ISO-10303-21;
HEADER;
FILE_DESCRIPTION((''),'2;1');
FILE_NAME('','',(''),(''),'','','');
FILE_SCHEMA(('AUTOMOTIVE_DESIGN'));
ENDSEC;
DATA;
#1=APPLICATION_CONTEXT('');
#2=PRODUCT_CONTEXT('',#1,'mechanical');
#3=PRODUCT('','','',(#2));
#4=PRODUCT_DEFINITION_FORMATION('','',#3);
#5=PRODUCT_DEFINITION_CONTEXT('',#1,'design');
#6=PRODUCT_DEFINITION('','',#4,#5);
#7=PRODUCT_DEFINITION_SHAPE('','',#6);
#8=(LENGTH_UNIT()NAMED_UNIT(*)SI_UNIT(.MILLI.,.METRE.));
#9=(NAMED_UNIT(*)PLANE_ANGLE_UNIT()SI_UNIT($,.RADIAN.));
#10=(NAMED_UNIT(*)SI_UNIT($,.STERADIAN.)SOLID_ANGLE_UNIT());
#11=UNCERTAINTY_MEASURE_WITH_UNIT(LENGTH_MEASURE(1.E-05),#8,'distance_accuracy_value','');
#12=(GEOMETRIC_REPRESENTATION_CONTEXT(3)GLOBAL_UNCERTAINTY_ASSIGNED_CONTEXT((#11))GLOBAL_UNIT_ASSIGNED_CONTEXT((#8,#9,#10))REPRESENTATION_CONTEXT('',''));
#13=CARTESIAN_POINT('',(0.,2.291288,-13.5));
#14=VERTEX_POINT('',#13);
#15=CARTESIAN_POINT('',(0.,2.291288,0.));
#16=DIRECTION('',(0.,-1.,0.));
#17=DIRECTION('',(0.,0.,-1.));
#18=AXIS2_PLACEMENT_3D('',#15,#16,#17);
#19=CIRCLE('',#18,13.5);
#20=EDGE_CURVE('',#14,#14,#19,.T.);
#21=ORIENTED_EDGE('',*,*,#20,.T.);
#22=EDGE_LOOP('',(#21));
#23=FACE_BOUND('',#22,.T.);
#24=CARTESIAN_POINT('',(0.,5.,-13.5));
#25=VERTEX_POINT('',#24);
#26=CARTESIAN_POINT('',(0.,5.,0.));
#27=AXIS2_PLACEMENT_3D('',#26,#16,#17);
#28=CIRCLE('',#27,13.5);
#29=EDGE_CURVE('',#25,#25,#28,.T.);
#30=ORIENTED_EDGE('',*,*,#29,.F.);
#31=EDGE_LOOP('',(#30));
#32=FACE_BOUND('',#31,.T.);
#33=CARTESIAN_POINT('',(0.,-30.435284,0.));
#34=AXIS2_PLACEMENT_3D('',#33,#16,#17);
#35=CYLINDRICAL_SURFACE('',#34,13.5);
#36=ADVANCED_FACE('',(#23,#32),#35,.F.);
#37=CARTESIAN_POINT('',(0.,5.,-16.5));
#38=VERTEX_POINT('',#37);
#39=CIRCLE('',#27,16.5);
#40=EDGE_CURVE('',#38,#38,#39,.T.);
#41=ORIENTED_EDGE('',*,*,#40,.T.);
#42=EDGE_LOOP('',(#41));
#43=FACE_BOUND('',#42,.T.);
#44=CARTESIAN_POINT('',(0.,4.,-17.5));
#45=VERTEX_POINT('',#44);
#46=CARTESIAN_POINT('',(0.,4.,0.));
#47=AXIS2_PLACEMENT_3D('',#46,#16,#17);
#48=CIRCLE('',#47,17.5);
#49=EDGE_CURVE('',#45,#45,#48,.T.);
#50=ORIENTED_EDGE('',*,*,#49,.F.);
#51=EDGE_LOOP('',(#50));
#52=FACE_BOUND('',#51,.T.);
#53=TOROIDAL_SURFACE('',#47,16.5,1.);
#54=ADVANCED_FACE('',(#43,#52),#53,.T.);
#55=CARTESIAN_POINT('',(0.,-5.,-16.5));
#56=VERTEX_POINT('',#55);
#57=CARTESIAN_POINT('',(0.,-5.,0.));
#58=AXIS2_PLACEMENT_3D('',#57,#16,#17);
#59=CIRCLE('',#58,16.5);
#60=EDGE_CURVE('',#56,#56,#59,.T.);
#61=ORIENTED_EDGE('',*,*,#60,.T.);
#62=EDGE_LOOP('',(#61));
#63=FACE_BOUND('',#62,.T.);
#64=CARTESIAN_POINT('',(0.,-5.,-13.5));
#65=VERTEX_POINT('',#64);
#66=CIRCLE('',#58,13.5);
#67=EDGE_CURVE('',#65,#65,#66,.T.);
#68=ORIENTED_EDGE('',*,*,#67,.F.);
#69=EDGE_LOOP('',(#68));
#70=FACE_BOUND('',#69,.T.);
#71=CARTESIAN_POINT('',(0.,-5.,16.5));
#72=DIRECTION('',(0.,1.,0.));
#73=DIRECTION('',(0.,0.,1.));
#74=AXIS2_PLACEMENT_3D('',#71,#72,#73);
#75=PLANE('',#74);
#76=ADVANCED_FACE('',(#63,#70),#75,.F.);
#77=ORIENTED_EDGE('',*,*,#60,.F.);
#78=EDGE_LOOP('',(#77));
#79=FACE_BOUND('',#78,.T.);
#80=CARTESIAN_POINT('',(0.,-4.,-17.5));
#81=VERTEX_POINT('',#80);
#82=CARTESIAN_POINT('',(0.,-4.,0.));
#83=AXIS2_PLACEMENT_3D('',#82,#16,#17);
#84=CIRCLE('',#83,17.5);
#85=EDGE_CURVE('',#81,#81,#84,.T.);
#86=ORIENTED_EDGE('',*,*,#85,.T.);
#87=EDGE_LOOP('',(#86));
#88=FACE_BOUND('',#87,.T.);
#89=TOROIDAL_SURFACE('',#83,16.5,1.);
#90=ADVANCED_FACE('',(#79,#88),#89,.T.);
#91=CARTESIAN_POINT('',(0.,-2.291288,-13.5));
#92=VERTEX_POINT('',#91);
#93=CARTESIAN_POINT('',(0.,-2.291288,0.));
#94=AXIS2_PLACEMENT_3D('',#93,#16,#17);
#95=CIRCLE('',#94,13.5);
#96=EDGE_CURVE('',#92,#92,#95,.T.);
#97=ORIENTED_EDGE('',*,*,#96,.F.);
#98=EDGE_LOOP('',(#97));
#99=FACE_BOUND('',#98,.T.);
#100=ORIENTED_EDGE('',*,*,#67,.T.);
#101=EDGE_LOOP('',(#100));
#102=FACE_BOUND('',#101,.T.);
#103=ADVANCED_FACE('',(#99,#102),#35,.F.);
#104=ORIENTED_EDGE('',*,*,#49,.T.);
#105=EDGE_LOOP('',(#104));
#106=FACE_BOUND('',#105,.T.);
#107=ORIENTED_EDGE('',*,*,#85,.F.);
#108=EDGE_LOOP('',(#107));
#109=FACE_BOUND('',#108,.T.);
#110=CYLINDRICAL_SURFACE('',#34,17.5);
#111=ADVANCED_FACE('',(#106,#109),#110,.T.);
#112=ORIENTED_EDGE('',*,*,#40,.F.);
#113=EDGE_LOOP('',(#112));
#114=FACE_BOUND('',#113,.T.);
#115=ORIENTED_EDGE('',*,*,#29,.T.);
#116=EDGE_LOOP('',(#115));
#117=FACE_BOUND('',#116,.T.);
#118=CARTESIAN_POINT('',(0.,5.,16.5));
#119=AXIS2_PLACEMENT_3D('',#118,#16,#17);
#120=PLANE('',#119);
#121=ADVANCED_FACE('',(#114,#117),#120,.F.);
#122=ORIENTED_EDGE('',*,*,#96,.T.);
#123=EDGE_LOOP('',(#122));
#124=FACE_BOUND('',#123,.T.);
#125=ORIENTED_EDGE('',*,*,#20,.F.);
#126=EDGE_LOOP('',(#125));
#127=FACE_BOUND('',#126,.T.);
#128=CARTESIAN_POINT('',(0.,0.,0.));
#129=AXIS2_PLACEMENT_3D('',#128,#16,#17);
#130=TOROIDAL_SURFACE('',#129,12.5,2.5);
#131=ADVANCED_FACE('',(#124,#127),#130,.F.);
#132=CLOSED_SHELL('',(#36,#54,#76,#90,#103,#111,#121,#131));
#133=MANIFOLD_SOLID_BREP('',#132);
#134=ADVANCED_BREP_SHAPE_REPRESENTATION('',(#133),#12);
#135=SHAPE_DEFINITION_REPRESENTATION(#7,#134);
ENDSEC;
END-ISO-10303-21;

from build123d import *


with BuildPart() as part:
    # Sketch1 → Revolve1 (revolve)
    with BuildSketch(Plane.YZ, mode=Mode.PRIVATE) as revolve1_sk:
        with BuildLine():
            Line((-4, 17.5), (4, 17.5))
            ThreePointArc((4, 17.5), (4.707106781, 17.207106781), (5, 16.5))
            Line((5, 16.5), (5, 13.5))
            Line((5, 13.5), (2.291287847, 13.5))
            ThreePointArc((2.291287847, 13.5), (0, 15), (-2.291287847, 13.5))
            Line((-2.291287847, 13.5), (-5, 13.5))
            Line((-5, 13.5), (-5, 16.5))
            ThreePointArc((-5, 16.5), (-4.707106781, 17.207106781), (-4, 17.5))
        make_face()
    revolve(revolve1_sk.sketch.rotate(Axis((0, -30.435284328, 0), (0, 1, 0)), 180), axis=Axis((0, -30.435284328, 0), (0, 1, 0)))


solid = part.part
